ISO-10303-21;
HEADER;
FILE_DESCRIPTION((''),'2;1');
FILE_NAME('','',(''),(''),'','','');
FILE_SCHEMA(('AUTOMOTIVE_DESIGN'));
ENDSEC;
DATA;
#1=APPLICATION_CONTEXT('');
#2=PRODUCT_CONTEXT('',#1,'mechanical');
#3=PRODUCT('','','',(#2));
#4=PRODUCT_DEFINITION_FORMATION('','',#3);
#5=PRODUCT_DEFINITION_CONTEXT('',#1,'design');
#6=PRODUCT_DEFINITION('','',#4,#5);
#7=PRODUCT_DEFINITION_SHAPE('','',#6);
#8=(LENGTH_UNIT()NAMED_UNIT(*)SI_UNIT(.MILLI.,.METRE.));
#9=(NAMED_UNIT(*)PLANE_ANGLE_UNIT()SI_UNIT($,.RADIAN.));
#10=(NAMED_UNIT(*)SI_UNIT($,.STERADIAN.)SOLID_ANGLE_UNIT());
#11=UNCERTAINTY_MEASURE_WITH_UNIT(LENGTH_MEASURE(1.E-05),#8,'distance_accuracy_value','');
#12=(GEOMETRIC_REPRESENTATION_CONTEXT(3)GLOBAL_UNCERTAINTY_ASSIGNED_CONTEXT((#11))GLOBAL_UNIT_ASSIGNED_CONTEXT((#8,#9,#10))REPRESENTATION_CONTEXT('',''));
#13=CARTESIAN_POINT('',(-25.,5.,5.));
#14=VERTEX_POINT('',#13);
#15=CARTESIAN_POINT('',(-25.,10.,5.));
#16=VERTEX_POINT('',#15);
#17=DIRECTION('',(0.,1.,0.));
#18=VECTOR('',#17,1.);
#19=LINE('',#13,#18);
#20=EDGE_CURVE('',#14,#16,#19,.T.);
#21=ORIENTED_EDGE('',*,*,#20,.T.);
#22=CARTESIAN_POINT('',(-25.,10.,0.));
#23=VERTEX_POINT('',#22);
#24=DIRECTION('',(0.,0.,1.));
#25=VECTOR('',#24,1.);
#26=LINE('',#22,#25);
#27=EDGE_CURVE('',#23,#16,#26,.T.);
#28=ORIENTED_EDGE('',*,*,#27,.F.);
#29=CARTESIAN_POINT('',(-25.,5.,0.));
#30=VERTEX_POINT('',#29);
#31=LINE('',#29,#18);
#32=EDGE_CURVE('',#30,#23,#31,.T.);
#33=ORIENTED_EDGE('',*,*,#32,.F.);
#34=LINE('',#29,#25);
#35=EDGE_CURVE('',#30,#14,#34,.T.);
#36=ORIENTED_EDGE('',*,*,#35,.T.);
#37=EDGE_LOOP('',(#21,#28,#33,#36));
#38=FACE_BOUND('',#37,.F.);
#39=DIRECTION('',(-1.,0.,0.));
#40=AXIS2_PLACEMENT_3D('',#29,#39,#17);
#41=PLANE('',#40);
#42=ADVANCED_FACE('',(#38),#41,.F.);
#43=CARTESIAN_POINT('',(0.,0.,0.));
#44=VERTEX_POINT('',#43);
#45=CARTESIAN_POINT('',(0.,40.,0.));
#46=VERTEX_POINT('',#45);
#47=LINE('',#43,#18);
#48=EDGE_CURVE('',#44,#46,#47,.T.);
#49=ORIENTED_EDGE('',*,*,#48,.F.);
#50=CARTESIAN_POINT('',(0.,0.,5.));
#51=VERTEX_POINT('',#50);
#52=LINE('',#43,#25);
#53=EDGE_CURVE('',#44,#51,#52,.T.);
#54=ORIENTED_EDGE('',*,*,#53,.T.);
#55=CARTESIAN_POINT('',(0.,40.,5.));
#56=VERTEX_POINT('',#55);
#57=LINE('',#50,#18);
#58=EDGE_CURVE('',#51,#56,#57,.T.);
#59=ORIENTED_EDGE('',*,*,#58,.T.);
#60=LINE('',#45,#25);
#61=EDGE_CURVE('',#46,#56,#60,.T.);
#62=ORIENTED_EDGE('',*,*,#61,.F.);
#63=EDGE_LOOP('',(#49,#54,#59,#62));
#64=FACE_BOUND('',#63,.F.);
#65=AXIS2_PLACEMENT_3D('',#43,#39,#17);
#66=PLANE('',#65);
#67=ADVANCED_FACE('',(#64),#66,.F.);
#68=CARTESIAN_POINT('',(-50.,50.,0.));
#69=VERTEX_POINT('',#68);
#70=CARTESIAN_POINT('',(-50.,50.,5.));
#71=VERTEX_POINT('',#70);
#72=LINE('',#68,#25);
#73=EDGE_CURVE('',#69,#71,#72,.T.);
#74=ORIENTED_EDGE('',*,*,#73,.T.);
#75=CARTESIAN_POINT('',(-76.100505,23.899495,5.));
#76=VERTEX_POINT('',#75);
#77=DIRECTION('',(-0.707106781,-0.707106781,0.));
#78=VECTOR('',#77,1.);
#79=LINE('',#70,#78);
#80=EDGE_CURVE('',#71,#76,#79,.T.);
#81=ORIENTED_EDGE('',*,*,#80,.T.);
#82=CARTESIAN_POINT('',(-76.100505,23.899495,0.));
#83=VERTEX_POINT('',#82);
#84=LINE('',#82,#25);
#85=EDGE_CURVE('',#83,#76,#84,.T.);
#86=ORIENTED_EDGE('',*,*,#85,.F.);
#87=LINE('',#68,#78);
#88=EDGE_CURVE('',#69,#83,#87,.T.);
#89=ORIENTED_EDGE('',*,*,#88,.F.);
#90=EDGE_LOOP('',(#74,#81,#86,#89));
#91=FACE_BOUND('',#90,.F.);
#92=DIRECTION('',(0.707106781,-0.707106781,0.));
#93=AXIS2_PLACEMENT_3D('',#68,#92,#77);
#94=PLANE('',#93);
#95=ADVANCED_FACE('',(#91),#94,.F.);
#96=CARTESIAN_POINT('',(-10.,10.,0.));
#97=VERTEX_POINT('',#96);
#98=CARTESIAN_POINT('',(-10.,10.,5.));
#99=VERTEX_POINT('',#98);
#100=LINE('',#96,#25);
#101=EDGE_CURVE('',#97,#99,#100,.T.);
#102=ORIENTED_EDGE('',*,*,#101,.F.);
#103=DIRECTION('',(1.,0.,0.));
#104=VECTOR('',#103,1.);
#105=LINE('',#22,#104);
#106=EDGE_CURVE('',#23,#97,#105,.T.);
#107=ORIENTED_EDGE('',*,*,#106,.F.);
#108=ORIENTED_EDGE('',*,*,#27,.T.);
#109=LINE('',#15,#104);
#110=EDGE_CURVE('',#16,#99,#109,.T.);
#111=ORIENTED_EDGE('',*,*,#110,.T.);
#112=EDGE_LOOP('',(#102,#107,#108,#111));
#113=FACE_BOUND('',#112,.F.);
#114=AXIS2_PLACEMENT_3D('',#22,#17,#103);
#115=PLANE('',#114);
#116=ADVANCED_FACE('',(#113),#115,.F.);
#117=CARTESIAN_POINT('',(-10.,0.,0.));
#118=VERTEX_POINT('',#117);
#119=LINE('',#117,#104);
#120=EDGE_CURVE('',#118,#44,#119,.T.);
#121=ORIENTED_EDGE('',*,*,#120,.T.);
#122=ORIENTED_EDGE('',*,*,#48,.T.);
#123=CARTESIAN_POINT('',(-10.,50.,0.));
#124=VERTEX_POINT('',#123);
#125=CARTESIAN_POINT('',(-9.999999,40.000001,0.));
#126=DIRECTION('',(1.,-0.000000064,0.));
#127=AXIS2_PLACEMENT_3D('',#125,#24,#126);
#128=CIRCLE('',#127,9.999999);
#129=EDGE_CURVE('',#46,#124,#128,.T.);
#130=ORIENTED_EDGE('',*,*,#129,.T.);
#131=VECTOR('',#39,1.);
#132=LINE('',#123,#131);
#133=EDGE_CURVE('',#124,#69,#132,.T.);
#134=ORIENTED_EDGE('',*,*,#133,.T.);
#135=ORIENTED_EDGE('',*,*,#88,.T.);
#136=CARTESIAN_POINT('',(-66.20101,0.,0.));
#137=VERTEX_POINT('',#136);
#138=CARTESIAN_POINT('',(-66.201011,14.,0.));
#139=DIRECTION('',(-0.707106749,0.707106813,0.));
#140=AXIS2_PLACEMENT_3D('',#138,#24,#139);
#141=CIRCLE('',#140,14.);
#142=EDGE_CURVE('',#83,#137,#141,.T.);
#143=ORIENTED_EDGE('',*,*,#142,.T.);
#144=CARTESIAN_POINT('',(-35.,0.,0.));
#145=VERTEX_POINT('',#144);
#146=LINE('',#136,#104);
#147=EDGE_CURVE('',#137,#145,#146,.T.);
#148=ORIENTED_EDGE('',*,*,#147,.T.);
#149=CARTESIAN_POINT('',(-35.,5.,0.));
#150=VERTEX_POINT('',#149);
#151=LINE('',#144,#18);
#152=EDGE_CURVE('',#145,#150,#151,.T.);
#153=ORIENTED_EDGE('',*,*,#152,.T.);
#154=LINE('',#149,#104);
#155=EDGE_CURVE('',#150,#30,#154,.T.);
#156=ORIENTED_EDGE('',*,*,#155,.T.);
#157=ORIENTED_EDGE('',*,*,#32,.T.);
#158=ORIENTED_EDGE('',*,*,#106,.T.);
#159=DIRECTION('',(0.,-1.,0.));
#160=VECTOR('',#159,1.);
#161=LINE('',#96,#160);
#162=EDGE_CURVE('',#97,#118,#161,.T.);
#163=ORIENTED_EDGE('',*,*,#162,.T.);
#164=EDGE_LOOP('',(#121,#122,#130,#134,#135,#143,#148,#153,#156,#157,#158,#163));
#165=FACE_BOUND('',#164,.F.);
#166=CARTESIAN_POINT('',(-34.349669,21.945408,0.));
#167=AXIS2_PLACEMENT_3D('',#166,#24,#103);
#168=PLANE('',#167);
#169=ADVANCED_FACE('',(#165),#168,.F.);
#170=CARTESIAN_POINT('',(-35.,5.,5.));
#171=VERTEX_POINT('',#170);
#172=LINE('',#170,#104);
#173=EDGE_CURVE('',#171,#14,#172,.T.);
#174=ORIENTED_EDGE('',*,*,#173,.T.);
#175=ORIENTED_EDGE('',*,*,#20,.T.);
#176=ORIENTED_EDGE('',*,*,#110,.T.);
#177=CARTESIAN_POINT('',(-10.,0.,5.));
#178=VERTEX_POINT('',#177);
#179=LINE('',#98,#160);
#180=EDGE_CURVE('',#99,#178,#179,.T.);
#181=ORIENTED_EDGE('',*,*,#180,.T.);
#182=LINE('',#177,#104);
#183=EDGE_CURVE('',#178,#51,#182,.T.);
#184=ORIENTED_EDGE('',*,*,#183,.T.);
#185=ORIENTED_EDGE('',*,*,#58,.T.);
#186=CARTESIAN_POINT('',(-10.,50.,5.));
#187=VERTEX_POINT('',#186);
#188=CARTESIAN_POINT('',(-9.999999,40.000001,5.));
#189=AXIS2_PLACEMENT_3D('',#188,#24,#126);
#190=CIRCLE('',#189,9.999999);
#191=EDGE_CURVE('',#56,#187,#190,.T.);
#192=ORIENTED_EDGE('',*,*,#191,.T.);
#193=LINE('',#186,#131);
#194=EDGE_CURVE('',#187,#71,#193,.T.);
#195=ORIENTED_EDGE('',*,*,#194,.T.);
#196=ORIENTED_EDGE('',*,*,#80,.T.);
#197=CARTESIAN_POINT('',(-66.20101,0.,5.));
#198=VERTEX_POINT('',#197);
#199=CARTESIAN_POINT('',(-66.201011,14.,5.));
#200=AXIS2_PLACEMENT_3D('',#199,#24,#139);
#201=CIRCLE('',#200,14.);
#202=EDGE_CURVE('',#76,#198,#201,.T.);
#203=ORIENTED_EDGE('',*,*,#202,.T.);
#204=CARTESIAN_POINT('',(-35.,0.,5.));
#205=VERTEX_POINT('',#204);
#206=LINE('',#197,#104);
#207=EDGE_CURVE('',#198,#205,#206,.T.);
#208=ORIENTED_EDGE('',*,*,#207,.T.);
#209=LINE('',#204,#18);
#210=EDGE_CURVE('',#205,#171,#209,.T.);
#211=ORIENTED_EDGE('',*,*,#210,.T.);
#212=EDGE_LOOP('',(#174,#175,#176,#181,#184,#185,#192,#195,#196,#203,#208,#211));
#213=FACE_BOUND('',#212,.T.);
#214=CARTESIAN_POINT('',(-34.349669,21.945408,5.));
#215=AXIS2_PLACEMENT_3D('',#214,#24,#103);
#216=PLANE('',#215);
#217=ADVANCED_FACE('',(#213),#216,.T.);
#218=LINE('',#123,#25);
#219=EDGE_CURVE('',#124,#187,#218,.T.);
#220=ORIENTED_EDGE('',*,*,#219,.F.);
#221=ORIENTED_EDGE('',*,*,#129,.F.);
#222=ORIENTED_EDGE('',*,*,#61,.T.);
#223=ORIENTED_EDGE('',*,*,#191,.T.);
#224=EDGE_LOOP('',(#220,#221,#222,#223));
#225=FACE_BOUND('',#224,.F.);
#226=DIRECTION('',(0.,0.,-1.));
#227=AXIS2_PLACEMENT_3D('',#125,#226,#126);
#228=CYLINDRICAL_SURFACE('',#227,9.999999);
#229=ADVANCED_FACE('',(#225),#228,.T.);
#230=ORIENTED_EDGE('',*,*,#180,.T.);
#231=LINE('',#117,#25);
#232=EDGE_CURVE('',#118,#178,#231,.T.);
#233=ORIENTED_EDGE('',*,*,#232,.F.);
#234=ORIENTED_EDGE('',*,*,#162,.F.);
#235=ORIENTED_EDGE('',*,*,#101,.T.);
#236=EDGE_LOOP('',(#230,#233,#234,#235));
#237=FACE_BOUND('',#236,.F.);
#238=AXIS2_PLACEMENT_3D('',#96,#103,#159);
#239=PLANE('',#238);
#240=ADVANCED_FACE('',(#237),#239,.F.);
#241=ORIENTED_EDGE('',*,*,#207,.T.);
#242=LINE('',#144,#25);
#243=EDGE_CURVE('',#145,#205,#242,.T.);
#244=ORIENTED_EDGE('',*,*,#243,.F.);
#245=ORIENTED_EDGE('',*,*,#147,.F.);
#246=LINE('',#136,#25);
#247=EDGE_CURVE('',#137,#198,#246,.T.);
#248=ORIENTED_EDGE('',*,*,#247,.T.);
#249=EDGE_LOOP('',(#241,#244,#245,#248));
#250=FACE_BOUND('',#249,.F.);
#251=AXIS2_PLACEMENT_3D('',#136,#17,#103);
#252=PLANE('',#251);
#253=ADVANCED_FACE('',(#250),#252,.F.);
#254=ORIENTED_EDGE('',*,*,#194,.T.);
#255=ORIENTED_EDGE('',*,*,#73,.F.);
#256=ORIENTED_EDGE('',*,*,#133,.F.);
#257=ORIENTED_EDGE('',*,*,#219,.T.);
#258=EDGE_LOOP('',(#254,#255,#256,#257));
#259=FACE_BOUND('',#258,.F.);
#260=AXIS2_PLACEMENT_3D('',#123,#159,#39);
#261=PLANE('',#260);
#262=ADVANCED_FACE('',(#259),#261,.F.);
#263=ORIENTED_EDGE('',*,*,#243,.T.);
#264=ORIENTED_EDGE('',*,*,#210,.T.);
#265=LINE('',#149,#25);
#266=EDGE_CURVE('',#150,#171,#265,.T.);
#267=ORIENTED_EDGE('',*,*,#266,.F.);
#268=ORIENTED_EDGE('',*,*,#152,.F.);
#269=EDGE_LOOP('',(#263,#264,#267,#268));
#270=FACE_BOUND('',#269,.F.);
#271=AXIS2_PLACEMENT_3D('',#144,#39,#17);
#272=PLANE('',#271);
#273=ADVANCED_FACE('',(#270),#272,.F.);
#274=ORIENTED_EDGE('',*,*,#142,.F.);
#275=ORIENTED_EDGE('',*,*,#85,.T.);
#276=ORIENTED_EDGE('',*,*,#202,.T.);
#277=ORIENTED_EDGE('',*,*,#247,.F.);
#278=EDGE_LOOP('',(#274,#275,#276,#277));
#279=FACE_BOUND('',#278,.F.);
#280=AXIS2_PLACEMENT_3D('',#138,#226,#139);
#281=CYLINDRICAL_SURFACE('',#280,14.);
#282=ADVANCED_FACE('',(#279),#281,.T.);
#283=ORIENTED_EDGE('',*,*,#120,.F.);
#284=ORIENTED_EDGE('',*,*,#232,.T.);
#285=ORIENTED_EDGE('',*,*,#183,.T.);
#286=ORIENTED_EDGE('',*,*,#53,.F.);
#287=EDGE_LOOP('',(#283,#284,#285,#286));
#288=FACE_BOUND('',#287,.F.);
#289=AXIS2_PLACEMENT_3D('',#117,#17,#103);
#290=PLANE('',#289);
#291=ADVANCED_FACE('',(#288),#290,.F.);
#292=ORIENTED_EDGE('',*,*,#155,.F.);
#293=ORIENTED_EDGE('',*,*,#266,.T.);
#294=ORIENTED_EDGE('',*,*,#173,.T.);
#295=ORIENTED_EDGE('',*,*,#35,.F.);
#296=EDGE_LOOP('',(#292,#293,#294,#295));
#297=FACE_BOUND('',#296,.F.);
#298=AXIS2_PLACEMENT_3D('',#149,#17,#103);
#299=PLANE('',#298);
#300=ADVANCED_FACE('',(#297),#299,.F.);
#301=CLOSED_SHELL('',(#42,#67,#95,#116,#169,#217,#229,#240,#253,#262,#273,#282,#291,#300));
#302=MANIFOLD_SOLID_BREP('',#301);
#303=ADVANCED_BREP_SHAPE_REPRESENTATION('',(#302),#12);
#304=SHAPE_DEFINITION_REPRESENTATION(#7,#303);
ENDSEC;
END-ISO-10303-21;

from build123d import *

# Parameters (mm, degrees)
F1_DEPTH = 5


with BuildPart() as f1:
    # F0 (on Top) → F1 (new body)
    with BuildSketch(Plane.XY):
        with BuildLine():
            Line((-10, 0), (0, 0))
            Line((0, 0), (0, 40))
            ThreePointArc((0, 40), (-2.928932, 47.071068), (-10, 50))
            Line((-10, 50), (-50, 50))
            Line((-50, 50), (-76.100505, 23.899495))
            ThreePointArc((-76.100505, 23.899495), (-79.135324, 8.642432), (-66.20101, 0))
            Line((-66.20101, 0), (-35, 0))
            Line((-35, 0), (-35, 5))
            Line((-35, 5), (-25, 5))
            Line((-25, 5), (-25, 10))
            Line((-25, 10), (-10, 10))
            Line((-10, 10), (-10, 0))
        make_face()
    extrude(amount=F1_DEPTH)


solid = f1.part
